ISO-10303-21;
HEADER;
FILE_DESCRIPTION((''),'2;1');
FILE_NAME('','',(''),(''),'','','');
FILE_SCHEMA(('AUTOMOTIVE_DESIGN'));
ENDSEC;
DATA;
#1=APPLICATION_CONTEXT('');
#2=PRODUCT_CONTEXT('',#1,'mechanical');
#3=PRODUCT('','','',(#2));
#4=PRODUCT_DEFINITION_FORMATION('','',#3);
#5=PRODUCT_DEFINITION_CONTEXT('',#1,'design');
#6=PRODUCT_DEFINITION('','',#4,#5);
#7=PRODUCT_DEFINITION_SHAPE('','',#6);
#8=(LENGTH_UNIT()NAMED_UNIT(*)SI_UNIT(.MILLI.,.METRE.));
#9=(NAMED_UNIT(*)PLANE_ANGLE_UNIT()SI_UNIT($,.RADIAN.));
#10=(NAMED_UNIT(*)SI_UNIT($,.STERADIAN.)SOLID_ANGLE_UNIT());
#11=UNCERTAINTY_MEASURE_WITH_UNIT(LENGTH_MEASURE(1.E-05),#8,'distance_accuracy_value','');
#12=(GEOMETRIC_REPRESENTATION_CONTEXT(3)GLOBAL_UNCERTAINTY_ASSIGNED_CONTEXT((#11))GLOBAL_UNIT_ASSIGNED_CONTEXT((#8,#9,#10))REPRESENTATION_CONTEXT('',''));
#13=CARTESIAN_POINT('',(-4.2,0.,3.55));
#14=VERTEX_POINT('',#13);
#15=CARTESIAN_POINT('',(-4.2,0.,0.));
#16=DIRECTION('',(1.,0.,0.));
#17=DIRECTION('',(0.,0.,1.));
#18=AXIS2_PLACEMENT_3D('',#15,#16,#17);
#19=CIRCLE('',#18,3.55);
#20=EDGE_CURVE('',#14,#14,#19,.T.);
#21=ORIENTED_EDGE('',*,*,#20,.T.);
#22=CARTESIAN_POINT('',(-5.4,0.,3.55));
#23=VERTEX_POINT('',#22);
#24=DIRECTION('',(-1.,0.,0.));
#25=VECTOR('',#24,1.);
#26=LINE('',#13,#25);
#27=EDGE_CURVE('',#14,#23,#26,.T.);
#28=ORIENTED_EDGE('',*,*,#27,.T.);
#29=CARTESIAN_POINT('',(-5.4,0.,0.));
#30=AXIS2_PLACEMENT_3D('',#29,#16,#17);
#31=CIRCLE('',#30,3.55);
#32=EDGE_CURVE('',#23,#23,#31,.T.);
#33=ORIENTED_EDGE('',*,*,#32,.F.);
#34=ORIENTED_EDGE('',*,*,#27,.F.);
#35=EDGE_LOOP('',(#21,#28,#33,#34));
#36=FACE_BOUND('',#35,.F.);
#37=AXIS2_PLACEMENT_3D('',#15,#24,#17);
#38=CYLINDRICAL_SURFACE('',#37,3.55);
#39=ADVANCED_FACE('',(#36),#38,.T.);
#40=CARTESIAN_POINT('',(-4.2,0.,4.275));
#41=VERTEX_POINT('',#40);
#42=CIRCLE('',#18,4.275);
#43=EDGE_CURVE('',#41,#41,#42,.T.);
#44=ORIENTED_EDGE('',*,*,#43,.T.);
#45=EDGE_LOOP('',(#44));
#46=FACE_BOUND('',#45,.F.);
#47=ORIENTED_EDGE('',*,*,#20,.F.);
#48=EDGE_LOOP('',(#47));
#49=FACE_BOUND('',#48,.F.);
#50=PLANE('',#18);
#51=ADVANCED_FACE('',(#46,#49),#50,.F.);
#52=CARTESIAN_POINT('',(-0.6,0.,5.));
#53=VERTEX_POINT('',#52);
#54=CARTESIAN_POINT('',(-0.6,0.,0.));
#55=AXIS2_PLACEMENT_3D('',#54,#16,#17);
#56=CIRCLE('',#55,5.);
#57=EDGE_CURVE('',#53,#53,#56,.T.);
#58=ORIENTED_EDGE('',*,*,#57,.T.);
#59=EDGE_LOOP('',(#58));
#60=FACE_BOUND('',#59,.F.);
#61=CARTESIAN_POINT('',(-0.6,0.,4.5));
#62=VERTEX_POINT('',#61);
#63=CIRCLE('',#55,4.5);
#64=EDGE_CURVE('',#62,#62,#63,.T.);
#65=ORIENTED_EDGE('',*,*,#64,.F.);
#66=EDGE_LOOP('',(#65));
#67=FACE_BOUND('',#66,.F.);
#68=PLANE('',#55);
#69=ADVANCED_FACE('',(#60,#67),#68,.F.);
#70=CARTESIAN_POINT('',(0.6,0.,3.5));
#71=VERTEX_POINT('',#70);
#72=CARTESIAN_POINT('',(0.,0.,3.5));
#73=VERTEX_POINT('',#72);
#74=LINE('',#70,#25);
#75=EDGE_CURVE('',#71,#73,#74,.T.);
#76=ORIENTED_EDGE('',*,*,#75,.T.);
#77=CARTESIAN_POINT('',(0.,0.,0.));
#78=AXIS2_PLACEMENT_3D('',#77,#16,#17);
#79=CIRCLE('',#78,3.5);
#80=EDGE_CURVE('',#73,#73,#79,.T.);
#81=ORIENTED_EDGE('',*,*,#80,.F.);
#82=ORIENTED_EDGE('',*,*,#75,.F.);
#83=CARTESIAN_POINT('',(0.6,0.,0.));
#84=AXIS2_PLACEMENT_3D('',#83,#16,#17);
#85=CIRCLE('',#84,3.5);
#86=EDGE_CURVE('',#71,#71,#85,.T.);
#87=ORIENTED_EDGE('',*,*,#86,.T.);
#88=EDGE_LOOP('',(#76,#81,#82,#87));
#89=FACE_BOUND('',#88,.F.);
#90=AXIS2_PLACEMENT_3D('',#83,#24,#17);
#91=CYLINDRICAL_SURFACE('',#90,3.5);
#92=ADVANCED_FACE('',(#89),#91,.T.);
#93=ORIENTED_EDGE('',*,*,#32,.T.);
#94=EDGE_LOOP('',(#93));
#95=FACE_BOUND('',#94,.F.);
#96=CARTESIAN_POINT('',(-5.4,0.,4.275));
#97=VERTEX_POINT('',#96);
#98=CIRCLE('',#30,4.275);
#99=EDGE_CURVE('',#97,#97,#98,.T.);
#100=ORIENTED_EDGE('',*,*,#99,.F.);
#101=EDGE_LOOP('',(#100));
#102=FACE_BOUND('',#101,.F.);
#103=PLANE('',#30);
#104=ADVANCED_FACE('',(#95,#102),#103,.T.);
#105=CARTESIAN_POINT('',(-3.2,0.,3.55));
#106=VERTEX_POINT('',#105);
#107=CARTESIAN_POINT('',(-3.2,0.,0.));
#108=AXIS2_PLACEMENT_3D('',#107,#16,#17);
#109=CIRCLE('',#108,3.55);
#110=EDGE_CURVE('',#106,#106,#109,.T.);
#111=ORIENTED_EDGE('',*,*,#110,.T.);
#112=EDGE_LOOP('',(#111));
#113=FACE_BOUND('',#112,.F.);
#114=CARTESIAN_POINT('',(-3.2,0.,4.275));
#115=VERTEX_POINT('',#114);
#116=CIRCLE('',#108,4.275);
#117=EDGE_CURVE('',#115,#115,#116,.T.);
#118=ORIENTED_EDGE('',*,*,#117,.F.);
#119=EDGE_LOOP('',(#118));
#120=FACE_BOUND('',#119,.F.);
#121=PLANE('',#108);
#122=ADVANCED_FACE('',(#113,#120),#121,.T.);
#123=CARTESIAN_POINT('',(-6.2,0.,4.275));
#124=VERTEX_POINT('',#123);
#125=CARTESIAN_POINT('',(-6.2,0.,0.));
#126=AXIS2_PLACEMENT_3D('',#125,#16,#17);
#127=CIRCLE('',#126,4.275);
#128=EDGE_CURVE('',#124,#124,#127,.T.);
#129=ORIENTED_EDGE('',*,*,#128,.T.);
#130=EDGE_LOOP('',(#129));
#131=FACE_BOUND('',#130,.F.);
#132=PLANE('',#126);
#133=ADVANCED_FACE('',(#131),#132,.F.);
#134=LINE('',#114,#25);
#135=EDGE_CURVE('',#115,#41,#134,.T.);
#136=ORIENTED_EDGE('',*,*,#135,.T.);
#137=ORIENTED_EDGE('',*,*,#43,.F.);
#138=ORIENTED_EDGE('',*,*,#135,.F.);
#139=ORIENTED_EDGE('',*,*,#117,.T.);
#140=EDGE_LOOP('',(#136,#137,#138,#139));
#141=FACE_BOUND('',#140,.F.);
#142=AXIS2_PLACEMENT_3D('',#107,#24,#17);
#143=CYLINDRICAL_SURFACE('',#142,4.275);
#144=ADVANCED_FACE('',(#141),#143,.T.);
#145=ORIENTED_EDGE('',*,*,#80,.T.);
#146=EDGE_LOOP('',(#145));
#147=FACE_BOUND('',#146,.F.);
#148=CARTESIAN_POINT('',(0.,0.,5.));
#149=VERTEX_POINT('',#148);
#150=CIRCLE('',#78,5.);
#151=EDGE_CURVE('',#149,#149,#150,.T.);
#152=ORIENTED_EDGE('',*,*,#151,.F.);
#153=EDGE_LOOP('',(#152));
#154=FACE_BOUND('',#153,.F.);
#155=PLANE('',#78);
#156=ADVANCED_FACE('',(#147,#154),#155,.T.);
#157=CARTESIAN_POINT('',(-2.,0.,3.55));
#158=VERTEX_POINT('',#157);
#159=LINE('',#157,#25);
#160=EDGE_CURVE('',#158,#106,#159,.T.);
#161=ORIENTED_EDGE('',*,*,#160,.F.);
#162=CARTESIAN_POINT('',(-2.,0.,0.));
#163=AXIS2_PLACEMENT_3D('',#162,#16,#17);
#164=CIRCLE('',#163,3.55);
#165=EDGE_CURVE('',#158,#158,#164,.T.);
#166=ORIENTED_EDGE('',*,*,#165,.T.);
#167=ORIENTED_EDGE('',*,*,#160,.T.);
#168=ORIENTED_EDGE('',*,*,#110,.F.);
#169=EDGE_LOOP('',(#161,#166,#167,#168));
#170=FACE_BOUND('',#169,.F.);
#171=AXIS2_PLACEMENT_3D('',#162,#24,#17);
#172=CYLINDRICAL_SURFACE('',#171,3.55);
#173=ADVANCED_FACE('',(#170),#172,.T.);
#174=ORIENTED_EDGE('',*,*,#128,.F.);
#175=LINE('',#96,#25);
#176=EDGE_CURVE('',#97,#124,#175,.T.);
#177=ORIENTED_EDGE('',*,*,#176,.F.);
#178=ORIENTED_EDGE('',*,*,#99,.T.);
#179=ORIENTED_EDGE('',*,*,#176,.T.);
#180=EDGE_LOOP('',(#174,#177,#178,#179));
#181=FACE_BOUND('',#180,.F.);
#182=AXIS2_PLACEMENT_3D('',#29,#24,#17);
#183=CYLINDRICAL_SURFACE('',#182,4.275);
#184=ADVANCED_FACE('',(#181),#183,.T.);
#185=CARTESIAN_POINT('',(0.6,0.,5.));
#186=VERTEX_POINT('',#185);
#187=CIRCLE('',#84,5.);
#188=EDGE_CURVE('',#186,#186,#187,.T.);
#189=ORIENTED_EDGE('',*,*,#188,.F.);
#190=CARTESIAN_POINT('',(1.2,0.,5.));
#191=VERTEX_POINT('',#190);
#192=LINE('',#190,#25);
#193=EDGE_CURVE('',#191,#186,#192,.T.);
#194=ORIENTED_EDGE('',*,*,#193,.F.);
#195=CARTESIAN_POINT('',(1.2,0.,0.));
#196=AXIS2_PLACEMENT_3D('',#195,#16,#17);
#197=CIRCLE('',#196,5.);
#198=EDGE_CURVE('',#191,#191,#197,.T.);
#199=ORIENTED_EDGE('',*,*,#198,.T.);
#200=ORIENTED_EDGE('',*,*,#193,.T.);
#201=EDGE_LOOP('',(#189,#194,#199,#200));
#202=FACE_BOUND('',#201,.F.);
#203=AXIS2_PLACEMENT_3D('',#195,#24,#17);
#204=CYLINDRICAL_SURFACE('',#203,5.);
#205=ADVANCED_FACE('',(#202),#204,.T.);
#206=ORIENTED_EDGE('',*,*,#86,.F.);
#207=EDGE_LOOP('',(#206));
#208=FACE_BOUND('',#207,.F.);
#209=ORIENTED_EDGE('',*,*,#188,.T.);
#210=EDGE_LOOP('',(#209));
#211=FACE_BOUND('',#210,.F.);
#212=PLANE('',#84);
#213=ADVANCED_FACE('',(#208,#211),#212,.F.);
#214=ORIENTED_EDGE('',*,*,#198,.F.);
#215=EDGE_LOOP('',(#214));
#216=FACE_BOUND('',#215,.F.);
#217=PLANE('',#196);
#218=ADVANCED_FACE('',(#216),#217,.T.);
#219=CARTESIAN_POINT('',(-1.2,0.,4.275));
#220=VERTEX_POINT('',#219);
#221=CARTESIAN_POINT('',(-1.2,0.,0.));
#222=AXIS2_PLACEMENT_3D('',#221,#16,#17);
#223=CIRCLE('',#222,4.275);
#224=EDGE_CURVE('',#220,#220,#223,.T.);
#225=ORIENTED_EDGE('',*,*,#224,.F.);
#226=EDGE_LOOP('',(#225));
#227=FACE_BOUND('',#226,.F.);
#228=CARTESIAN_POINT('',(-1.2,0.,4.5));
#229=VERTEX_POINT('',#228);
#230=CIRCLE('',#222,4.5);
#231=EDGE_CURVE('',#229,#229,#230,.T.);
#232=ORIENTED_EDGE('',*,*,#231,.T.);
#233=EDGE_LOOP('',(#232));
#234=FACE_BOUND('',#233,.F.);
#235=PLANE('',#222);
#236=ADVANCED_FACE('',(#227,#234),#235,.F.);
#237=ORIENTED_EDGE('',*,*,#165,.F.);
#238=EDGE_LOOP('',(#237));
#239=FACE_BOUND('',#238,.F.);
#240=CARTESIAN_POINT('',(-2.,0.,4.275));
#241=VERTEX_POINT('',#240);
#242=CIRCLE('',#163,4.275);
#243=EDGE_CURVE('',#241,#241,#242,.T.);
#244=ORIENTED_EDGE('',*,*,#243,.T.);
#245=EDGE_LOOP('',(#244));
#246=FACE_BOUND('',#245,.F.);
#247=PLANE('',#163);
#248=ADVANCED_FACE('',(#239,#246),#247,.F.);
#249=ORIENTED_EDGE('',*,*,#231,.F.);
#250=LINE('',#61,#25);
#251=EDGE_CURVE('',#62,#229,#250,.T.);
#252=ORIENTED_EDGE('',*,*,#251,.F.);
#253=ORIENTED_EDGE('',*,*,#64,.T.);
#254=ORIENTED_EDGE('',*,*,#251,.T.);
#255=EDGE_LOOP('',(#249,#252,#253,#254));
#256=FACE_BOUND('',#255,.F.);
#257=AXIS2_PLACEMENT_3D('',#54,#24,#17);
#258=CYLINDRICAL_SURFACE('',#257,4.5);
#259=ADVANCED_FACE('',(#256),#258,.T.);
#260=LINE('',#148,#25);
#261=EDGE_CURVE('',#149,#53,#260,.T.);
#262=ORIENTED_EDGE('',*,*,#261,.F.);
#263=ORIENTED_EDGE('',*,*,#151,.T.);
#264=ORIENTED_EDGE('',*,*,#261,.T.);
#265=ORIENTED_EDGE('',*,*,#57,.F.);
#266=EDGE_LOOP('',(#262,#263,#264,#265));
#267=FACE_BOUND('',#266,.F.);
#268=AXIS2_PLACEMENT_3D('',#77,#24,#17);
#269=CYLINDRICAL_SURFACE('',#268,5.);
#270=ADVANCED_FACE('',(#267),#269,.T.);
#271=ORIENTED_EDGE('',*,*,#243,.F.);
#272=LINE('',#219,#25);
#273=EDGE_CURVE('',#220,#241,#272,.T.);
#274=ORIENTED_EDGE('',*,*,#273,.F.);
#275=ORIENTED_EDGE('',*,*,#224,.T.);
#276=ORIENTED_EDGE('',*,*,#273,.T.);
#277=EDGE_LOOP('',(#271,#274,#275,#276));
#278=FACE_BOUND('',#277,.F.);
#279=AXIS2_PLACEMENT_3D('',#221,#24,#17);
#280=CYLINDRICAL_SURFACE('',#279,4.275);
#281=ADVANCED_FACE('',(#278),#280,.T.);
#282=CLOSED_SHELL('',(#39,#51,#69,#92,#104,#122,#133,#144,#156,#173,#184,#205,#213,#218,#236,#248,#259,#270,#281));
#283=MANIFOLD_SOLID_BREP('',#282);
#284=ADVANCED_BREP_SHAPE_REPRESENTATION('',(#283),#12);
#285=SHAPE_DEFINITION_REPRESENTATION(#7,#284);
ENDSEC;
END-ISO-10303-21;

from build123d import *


with BuildPart() as f1:
    # F0 (on Front) → F1 (revolve)
    with BuildSketch(Plane.XZ):
        Polygon((-5.4, 4.275), (-6.2, 4.275), (-6.2, 0), (1.2, 0), (1.2, 5), (0.6, 5), (0.6, 3.5), (0, 3.5), (0, 5), (-0.6, 5), (-0.6, 4.5), (-1.2, 4.5), (-1.2, 4.275), (-2, 4.275), (-2, 3.55), (-3.2, 3.55), (-3.2, 4.275), (-4.2, 4.275), (-4.2, 3.55), (-5.4, 3.55), align=None)
    revolve(axis=Axis((-4.192172, 0, 0), (1, 0, 0)))


solid = f1.part
